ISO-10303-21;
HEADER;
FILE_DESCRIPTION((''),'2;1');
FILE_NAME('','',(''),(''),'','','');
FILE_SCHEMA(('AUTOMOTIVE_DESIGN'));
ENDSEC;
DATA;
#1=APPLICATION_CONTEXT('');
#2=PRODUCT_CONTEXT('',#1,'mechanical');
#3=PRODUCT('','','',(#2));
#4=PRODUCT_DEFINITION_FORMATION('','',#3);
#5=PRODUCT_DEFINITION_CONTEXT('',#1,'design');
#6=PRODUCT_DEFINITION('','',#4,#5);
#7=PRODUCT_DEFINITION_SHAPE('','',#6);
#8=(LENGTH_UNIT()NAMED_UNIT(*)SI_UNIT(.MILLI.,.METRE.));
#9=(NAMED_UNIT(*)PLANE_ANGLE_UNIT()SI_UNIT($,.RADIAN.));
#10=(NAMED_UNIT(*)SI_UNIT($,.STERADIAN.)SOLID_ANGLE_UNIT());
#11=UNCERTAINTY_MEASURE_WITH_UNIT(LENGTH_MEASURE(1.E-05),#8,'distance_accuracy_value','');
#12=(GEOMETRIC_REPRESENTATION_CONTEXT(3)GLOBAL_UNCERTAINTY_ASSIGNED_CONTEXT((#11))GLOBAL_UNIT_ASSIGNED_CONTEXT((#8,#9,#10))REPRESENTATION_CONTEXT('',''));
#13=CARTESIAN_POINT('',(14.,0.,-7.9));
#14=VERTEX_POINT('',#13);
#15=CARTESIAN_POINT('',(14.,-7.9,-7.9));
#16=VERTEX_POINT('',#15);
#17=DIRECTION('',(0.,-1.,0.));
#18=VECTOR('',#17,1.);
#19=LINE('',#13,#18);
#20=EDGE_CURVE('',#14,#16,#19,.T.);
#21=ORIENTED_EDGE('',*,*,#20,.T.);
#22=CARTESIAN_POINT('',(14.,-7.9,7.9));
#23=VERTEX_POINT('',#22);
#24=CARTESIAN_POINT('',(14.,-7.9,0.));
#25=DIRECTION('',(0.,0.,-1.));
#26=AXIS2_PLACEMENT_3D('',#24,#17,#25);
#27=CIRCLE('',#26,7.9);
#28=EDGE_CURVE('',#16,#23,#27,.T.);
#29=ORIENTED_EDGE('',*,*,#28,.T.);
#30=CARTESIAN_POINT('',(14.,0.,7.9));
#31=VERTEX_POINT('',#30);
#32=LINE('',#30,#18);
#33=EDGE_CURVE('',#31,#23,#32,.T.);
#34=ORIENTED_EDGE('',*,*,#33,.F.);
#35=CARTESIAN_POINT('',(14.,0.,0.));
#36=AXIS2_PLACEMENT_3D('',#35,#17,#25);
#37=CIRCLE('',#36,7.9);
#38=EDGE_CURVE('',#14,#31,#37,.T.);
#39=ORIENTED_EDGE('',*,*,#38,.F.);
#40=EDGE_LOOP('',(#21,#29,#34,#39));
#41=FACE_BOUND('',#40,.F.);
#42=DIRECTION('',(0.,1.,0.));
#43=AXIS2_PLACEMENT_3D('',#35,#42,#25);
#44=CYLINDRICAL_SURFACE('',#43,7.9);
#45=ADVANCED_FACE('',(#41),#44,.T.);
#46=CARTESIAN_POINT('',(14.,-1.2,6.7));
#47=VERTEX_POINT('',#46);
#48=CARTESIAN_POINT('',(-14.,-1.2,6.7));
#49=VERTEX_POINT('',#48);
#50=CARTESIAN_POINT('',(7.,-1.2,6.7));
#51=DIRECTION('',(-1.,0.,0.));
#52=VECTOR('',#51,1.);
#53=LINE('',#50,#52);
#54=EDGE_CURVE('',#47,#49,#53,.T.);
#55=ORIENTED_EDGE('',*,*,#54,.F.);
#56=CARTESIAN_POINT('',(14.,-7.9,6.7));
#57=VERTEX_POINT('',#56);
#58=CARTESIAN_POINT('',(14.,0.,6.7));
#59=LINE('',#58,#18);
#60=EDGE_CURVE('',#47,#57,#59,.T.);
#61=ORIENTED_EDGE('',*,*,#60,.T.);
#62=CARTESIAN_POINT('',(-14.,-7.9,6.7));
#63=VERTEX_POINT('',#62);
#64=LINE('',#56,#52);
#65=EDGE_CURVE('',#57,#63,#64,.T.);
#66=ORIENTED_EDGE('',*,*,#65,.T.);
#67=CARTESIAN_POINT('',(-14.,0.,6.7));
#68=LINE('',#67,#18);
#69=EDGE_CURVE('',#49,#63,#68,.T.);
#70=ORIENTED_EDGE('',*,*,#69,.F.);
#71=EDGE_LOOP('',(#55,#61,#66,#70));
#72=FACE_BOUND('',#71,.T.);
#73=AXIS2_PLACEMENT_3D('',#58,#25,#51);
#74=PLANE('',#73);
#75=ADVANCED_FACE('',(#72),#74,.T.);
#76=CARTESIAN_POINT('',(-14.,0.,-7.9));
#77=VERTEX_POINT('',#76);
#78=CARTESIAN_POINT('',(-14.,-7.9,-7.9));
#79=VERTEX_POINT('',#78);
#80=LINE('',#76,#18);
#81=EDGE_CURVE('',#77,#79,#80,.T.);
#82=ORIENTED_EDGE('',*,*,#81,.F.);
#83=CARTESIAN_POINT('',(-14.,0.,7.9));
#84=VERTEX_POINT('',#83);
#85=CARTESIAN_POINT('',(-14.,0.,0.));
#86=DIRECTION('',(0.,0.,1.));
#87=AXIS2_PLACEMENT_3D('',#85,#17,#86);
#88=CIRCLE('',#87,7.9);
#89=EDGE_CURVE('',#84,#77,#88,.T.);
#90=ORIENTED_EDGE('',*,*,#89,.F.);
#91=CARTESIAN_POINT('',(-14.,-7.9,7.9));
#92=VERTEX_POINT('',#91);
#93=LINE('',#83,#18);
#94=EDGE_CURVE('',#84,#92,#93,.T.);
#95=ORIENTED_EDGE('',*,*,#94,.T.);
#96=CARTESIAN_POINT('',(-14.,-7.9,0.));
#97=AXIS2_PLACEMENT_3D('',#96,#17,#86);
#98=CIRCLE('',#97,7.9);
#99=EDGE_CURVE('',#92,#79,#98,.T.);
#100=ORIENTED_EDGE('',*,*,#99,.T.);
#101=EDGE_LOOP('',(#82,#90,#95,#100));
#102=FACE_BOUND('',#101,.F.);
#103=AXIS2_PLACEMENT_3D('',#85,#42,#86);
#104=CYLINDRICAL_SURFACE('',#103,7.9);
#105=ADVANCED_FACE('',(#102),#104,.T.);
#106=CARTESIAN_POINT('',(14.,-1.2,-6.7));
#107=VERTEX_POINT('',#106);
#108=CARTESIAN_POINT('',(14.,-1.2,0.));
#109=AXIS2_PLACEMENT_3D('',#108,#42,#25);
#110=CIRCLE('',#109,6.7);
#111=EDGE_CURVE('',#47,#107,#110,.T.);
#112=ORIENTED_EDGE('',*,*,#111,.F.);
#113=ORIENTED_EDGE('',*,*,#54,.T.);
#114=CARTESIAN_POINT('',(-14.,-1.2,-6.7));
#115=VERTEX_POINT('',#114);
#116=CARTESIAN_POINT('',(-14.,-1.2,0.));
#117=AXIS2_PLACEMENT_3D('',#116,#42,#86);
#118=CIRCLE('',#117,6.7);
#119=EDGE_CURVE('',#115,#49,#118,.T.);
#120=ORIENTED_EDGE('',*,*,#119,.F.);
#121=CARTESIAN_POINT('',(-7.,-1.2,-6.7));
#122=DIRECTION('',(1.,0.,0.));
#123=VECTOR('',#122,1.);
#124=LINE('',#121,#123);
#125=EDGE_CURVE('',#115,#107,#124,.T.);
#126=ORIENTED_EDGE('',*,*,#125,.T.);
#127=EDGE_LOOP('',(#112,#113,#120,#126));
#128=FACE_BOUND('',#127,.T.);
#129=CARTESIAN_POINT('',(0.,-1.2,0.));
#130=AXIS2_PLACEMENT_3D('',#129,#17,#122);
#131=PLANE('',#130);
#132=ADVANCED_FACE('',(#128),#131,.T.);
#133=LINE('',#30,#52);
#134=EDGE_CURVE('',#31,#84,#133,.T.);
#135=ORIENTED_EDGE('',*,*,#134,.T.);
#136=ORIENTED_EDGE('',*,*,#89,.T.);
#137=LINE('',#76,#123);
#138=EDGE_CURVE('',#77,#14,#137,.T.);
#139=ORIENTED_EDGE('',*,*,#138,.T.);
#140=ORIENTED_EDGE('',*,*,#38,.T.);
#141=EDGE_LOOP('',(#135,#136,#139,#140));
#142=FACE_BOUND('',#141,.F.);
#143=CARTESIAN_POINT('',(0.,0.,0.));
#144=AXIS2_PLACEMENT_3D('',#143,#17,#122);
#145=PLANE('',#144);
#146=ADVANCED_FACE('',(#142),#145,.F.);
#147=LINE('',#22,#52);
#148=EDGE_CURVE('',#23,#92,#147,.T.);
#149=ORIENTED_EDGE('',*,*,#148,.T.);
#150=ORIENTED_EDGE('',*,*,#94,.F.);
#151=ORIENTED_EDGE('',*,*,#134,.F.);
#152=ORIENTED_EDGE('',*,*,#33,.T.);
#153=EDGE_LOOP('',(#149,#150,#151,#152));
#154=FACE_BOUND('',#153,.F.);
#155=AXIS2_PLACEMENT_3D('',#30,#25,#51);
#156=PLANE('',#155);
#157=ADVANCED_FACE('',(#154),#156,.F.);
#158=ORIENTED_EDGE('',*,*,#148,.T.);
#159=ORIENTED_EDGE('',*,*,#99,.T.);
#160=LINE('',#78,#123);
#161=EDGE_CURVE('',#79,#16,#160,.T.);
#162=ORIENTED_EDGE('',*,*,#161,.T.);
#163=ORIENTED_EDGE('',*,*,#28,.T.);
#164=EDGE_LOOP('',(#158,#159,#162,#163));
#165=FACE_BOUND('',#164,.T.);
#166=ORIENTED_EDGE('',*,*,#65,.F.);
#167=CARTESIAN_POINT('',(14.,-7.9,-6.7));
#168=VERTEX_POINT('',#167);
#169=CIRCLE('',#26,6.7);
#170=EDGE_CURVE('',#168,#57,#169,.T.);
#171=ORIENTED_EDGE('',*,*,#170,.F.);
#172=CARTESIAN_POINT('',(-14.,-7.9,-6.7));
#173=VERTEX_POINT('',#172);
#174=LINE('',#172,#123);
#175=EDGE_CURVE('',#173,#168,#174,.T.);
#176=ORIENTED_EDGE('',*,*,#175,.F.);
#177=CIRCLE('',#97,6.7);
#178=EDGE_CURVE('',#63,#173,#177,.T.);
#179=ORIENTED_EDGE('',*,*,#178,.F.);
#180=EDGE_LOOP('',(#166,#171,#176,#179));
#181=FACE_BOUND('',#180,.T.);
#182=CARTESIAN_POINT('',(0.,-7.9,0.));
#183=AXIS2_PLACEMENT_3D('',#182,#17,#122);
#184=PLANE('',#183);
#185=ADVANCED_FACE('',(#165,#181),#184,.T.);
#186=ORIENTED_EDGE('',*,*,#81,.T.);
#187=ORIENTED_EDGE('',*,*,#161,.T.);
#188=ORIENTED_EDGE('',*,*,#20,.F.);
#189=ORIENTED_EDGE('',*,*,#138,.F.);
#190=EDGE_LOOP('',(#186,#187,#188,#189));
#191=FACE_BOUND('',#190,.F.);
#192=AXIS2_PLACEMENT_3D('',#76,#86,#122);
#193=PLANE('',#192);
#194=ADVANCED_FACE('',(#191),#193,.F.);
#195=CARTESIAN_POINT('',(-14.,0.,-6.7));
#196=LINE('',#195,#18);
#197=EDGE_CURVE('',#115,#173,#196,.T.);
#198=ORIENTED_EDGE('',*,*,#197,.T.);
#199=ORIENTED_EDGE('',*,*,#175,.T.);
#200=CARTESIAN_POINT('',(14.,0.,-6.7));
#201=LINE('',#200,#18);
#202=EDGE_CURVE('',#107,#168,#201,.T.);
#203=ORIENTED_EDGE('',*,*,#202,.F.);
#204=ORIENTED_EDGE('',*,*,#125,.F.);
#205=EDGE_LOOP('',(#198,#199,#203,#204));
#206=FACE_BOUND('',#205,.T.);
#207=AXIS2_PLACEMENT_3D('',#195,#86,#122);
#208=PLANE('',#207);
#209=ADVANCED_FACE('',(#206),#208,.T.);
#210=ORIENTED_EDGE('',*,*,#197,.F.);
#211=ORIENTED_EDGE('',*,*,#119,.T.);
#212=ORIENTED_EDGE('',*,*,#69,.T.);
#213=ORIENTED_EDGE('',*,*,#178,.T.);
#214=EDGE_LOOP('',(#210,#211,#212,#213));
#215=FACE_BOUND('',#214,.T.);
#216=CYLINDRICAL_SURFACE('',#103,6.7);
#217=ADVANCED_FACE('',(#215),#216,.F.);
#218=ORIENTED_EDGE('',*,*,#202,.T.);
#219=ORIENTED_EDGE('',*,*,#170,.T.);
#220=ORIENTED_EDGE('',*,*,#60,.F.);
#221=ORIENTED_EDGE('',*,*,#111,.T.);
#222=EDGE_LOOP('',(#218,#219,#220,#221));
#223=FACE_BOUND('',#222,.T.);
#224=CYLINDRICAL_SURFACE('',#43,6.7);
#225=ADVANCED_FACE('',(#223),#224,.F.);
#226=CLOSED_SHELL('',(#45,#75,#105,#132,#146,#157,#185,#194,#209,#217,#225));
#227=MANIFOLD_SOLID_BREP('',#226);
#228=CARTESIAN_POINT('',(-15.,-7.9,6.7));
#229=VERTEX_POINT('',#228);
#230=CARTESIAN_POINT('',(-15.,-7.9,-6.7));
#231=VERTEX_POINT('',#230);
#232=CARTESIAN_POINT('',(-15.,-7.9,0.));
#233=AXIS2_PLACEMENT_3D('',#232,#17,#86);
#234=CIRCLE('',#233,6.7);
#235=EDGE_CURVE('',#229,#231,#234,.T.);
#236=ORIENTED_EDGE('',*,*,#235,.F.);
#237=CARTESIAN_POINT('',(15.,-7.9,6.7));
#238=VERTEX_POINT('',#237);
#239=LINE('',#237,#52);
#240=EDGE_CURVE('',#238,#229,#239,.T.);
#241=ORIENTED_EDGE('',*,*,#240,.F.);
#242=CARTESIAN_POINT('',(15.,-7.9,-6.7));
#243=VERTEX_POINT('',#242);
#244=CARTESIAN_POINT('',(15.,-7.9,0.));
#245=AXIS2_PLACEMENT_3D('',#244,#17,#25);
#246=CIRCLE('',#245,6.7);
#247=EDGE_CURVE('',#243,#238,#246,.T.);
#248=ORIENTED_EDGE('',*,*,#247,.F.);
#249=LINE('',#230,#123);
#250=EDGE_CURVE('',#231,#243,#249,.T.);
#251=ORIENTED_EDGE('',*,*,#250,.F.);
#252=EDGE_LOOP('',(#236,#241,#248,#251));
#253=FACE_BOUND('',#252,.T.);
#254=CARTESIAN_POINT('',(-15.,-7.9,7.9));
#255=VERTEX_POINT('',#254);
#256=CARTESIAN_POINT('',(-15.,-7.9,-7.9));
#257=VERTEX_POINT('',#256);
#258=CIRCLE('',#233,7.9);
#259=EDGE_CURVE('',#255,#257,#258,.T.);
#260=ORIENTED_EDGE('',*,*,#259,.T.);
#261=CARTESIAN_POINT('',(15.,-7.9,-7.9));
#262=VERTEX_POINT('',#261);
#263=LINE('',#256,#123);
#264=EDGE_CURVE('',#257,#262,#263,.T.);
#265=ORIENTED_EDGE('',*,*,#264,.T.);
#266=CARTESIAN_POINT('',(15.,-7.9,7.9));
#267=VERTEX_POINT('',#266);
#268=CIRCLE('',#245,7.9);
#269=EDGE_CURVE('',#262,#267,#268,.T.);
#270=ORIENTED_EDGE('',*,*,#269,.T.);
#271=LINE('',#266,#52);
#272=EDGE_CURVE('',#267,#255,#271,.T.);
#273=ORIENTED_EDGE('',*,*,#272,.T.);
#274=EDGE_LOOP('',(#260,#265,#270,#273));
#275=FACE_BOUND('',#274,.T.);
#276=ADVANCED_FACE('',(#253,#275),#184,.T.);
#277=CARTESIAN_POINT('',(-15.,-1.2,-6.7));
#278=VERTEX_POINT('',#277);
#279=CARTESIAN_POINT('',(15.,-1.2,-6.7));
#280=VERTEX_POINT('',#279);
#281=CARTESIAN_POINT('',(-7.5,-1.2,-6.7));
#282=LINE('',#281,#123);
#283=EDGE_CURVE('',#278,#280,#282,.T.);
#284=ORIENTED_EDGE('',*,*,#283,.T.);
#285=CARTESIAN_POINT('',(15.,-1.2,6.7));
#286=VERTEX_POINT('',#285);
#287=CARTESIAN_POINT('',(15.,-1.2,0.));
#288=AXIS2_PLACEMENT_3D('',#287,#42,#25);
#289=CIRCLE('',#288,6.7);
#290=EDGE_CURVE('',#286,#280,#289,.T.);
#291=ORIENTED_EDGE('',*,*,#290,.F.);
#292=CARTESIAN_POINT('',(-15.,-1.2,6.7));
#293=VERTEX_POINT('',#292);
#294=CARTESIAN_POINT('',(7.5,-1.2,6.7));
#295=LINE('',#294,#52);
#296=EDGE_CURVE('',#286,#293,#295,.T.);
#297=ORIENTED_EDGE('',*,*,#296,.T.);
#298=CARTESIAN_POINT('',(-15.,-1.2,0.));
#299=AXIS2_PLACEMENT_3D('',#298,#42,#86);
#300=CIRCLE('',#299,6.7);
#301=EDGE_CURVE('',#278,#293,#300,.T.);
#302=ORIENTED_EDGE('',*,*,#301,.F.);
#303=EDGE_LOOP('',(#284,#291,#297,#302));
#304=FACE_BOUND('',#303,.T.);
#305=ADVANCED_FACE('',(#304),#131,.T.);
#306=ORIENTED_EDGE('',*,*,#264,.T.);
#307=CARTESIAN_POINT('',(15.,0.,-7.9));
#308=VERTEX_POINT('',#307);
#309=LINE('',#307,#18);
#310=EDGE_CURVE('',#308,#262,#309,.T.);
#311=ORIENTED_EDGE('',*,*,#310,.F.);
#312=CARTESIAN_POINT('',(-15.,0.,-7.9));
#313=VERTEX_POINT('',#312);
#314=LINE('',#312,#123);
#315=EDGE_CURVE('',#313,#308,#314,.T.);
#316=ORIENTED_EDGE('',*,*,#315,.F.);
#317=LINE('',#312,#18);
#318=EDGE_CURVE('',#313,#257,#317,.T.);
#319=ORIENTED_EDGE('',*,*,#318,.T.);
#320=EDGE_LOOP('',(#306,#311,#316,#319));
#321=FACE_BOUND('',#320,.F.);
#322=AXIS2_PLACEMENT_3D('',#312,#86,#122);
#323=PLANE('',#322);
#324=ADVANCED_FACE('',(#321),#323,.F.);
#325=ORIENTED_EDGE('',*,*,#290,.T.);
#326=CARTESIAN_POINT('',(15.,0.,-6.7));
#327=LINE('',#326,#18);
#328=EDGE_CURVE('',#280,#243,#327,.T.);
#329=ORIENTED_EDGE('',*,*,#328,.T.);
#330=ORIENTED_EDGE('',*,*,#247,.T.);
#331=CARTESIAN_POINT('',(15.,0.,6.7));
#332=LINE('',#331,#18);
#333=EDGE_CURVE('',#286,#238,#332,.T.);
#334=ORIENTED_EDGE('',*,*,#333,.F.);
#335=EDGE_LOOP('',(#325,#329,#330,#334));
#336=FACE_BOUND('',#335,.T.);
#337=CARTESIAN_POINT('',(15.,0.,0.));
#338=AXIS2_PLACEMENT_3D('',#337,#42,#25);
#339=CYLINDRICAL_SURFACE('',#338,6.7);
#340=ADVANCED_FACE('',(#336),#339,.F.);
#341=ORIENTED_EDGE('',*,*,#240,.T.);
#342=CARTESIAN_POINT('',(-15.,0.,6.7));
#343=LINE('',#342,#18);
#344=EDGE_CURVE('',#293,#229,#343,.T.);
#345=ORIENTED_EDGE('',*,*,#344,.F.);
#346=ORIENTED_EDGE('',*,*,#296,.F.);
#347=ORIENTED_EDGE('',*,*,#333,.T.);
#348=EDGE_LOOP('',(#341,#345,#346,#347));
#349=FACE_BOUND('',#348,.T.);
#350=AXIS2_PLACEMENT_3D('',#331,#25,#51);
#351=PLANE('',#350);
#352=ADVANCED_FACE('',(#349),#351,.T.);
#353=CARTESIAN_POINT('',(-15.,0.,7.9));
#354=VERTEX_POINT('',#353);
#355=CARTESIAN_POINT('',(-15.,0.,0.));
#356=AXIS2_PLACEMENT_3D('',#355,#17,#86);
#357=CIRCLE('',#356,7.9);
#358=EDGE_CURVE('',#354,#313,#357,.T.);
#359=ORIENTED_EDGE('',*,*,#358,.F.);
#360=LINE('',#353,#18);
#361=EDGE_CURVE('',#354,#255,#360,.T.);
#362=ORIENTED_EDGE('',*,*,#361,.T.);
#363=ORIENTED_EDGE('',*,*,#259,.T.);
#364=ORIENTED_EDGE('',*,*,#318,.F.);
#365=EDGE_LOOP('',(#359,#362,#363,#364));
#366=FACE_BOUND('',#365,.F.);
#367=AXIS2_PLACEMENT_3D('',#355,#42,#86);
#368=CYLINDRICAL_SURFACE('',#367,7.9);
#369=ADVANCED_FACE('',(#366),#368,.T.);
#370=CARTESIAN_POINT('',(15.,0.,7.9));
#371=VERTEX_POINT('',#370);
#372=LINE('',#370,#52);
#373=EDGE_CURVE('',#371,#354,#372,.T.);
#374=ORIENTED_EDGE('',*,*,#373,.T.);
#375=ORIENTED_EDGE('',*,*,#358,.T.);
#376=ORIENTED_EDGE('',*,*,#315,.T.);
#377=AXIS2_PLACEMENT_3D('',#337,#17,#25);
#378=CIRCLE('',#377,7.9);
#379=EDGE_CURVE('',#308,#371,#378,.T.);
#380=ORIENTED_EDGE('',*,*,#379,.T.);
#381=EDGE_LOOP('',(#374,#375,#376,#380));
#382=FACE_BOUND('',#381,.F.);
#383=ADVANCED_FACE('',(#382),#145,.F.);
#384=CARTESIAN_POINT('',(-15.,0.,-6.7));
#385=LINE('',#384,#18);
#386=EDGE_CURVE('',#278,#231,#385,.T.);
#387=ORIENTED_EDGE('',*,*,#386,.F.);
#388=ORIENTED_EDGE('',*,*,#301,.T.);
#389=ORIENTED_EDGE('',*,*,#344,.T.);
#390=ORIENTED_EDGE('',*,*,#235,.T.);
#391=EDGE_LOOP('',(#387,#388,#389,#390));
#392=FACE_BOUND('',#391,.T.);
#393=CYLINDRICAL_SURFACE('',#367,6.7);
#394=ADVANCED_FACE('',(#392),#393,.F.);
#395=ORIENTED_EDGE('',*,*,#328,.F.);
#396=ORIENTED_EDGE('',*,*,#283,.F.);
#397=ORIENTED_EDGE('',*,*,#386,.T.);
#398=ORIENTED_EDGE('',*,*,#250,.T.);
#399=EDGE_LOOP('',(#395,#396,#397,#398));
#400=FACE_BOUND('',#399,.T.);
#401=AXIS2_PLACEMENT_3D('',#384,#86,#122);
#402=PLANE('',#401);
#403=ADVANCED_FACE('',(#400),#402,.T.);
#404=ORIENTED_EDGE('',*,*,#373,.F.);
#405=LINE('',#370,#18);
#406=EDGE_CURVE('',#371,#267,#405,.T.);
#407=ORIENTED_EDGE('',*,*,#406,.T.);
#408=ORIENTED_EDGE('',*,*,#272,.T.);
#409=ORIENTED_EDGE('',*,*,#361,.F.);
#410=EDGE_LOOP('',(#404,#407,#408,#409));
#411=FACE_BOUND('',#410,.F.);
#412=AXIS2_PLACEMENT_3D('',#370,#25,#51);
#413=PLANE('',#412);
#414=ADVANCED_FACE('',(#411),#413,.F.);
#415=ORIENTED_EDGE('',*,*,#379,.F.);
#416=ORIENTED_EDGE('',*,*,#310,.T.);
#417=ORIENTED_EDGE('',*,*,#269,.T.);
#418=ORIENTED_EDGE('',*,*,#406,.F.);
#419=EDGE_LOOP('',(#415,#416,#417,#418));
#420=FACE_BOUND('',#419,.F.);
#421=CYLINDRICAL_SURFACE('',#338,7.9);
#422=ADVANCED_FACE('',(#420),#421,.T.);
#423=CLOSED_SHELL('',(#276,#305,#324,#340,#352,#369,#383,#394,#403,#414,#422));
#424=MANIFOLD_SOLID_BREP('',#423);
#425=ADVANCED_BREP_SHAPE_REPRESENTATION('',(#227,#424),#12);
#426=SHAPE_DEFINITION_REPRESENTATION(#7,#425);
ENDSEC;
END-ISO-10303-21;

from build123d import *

# Parameters (mm, degrees)
F1_DEPTH = 7.9
F2_T     = -1.2
F4_DEPTH = 7.9
F5_T     = -1.2


with BuildPart() as f1:
    # F0 (on Front) → F1 (new body)
    with BuildSketch(Plane.XZ):
        with BuildLine():
            ThreePointArc((-14, 7.9), (-21.9, 0), (-14, -7.9))
            Line((-14, -7.9), (14, -7.9))
            ThreePointArc((14, -7.9), (21.9, 0), (14, 7.9))
            Line((14, 7.9), (-14, 7.9))
        make_face()
    extrude(amount=F1_DEPTH)

    # F2
    f2_openings = [f1.faces().sort_by_distance(p)[0] for p in [
        (0, -7.9, 0),
    ]]
    offset(amount=F2_T, openings=f2_openings)


with BuildPart() as f4:
    # F3 (on Front) → F4 (new body)
    with BuildSketch(Plane.XZ):
        with BuildLine():
            ThreePointArc((-15, 7.9), (-22.9, 0), (-15, -7.9))
            Line((-15, -7.9), (15, -7.9))
            ThreePointArc((15, -7.9), (22.9, 0), (15, 7.9))
            Line((15, 7.9), (-15, 7.9))
        make_face()
    extrude(amount=F4_DEPTH)

    # F5
    f5_openings = [f4.faces().sort_by_distance(p)[0] for p in [
        (0, -7.9, 0),
    ]]
    offset(amount=F5_T, openings=f5_openings)


solid = Compound([f1.part, f4.part])
